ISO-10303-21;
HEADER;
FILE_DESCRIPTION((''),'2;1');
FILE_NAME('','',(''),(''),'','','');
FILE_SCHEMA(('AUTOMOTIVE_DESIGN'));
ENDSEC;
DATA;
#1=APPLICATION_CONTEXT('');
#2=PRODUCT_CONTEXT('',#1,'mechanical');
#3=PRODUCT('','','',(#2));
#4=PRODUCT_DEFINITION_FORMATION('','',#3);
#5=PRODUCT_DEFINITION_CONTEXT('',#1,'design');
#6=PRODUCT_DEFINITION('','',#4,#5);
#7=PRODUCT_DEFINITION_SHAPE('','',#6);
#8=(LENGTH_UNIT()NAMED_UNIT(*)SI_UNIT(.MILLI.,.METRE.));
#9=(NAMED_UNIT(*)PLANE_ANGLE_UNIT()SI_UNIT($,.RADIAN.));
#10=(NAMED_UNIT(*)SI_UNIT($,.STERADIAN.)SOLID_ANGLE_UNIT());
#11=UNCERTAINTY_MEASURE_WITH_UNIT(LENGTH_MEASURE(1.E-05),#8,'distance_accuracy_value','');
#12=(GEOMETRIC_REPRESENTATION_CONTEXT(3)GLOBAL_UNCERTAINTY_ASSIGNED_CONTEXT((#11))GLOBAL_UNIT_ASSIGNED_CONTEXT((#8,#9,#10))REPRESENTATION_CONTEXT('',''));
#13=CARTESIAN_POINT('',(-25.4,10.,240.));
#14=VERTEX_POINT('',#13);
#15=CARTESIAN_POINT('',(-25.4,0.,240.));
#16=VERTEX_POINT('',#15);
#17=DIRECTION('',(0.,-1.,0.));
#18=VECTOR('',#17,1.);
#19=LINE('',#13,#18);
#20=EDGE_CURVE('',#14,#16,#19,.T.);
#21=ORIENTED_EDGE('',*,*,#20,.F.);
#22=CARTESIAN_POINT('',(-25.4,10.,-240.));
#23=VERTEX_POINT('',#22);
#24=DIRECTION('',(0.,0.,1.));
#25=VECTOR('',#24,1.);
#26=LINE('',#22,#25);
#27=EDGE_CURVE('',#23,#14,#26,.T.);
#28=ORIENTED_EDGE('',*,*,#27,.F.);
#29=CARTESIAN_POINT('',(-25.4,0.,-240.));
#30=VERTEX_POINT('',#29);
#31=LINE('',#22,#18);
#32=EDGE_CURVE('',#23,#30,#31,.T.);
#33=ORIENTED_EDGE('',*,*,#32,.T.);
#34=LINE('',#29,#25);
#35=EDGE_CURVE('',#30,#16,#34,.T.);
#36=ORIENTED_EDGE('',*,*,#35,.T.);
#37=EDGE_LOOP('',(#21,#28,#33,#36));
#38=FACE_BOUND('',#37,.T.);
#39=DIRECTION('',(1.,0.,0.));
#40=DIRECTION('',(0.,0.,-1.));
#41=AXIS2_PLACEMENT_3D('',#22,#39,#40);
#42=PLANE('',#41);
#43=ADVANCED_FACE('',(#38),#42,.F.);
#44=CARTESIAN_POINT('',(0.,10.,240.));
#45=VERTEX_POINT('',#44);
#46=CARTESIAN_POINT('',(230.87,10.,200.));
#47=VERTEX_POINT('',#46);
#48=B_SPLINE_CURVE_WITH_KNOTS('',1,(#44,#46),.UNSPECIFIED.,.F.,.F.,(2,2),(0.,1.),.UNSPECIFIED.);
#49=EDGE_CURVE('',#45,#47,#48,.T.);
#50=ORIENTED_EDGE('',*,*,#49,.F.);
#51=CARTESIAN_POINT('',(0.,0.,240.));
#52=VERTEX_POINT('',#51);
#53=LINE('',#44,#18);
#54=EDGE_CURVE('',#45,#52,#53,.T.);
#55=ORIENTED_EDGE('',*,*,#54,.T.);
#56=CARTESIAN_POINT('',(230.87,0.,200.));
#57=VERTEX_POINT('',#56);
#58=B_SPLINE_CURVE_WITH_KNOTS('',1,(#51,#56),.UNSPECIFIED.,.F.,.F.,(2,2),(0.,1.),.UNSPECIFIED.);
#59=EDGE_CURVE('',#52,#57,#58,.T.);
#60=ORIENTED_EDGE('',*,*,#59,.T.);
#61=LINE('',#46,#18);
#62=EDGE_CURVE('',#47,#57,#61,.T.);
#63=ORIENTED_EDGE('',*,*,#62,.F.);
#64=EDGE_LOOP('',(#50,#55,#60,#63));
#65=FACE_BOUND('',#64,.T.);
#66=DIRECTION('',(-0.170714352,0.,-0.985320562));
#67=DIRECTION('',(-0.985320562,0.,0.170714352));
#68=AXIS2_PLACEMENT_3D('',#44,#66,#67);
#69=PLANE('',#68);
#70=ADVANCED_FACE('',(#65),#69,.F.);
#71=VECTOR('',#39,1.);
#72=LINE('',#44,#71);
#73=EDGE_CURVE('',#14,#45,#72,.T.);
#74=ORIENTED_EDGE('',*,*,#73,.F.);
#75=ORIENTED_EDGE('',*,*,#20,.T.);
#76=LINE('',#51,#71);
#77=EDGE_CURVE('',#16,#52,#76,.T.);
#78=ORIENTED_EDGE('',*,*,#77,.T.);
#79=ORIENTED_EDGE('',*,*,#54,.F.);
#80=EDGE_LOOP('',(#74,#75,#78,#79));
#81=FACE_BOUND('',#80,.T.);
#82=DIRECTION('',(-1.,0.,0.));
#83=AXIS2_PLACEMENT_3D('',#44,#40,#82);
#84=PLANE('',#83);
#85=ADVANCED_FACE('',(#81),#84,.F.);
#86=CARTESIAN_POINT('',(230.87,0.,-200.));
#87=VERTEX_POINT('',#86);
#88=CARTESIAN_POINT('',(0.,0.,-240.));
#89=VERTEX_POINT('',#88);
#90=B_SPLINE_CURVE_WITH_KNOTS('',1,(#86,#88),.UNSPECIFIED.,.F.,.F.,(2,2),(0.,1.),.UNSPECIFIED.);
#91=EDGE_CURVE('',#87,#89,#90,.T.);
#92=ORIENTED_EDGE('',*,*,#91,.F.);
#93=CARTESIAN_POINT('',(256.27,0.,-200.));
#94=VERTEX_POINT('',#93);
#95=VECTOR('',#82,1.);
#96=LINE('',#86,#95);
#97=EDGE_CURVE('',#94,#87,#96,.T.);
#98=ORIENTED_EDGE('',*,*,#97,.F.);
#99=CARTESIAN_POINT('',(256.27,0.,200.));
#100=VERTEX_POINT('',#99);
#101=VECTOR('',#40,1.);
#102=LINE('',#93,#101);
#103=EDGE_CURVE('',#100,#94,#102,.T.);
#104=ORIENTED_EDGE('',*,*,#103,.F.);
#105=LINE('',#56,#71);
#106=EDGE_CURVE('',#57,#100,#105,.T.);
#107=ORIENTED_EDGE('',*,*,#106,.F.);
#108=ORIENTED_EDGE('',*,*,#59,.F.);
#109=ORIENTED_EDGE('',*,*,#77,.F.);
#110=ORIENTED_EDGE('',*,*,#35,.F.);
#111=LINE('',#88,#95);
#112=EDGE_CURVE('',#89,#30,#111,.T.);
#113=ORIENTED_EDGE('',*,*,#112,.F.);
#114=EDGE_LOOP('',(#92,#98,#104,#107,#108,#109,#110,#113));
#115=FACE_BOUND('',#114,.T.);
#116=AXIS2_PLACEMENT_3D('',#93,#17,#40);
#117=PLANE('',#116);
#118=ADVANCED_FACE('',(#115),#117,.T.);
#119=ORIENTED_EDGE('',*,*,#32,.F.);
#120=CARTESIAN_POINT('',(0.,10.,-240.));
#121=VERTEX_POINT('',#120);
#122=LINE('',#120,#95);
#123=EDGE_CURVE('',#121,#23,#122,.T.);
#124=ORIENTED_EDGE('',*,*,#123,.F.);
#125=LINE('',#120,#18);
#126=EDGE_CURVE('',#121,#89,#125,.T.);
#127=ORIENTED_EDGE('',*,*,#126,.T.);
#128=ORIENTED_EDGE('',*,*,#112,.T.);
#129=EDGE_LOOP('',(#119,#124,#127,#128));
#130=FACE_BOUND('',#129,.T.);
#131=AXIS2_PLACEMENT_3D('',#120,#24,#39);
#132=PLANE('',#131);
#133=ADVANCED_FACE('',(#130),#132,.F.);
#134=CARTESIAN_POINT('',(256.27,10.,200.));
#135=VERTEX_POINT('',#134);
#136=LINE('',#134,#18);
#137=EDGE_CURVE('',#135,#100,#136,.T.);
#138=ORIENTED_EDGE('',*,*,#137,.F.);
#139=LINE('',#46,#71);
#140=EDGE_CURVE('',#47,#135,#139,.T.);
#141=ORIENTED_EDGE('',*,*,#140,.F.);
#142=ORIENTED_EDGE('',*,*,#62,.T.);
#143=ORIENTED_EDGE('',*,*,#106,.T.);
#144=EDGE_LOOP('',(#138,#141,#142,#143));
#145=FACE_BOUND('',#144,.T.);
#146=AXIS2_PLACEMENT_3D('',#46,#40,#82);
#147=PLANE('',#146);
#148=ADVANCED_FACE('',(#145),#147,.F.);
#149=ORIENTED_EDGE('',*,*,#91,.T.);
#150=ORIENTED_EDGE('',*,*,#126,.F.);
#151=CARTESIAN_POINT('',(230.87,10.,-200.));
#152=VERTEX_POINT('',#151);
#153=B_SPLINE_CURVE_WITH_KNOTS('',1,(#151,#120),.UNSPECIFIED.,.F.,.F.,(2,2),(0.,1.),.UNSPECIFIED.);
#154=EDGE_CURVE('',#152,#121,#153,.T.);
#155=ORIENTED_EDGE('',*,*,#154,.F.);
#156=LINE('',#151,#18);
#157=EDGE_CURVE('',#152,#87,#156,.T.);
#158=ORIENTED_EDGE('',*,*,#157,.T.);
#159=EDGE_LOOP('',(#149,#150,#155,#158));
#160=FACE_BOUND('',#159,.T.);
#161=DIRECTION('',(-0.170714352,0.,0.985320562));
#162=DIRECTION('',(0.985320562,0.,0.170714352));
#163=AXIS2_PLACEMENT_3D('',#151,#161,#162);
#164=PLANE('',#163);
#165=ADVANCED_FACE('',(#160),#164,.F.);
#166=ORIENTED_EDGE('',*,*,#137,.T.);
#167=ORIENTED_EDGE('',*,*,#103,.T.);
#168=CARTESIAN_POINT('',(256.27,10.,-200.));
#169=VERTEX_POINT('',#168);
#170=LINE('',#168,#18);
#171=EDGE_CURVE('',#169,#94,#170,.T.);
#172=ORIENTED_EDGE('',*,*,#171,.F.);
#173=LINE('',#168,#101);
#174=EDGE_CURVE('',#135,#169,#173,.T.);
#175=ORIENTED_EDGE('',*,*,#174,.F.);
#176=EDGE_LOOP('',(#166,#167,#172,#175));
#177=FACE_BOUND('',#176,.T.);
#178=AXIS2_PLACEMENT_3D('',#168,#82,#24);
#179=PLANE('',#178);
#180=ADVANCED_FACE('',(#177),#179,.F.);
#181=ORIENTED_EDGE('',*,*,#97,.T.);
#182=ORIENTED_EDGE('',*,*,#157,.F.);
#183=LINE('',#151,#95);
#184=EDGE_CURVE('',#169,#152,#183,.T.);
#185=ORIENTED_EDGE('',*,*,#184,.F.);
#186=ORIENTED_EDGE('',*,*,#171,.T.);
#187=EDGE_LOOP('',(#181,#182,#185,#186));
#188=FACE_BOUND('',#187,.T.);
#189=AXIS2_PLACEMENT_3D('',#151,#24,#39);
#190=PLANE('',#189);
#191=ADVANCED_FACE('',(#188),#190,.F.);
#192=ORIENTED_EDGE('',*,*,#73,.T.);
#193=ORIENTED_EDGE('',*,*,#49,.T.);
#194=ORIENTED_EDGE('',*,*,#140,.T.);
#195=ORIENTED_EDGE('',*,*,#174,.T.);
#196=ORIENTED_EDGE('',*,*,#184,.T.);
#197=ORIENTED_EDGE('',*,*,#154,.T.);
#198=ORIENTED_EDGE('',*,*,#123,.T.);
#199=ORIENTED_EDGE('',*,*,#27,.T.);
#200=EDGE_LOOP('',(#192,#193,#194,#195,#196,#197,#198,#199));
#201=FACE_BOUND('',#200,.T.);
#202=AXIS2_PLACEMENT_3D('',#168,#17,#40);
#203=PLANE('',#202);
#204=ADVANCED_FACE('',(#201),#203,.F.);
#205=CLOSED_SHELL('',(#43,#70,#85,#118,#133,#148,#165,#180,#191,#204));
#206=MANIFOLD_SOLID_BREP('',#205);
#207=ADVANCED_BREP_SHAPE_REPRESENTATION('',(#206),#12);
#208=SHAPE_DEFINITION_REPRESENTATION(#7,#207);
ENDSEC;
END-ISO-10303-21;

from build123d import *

# Parameters (mm, degrees)
BOSS_EXTRUDE1_DEPTH = 10


with BuildPart() as part:
    # Sketch1 → Boss-Extrude1 (new body)
    with BuildSketch(Plane(origin=(0, 0, 0), x_dir=(1, 0, 0), z_dir=(0, 1, 0))):
        Polygon((230.87, 200), (256.27, 200), (256.27, -200), (230.87, -200), (0, -240), (-25.4, -240), (-25.4, 240), (0, 240), align=None)
    extrude(amount=BOSS_EXTRUDE1_DEPTH)


solid = part.part
